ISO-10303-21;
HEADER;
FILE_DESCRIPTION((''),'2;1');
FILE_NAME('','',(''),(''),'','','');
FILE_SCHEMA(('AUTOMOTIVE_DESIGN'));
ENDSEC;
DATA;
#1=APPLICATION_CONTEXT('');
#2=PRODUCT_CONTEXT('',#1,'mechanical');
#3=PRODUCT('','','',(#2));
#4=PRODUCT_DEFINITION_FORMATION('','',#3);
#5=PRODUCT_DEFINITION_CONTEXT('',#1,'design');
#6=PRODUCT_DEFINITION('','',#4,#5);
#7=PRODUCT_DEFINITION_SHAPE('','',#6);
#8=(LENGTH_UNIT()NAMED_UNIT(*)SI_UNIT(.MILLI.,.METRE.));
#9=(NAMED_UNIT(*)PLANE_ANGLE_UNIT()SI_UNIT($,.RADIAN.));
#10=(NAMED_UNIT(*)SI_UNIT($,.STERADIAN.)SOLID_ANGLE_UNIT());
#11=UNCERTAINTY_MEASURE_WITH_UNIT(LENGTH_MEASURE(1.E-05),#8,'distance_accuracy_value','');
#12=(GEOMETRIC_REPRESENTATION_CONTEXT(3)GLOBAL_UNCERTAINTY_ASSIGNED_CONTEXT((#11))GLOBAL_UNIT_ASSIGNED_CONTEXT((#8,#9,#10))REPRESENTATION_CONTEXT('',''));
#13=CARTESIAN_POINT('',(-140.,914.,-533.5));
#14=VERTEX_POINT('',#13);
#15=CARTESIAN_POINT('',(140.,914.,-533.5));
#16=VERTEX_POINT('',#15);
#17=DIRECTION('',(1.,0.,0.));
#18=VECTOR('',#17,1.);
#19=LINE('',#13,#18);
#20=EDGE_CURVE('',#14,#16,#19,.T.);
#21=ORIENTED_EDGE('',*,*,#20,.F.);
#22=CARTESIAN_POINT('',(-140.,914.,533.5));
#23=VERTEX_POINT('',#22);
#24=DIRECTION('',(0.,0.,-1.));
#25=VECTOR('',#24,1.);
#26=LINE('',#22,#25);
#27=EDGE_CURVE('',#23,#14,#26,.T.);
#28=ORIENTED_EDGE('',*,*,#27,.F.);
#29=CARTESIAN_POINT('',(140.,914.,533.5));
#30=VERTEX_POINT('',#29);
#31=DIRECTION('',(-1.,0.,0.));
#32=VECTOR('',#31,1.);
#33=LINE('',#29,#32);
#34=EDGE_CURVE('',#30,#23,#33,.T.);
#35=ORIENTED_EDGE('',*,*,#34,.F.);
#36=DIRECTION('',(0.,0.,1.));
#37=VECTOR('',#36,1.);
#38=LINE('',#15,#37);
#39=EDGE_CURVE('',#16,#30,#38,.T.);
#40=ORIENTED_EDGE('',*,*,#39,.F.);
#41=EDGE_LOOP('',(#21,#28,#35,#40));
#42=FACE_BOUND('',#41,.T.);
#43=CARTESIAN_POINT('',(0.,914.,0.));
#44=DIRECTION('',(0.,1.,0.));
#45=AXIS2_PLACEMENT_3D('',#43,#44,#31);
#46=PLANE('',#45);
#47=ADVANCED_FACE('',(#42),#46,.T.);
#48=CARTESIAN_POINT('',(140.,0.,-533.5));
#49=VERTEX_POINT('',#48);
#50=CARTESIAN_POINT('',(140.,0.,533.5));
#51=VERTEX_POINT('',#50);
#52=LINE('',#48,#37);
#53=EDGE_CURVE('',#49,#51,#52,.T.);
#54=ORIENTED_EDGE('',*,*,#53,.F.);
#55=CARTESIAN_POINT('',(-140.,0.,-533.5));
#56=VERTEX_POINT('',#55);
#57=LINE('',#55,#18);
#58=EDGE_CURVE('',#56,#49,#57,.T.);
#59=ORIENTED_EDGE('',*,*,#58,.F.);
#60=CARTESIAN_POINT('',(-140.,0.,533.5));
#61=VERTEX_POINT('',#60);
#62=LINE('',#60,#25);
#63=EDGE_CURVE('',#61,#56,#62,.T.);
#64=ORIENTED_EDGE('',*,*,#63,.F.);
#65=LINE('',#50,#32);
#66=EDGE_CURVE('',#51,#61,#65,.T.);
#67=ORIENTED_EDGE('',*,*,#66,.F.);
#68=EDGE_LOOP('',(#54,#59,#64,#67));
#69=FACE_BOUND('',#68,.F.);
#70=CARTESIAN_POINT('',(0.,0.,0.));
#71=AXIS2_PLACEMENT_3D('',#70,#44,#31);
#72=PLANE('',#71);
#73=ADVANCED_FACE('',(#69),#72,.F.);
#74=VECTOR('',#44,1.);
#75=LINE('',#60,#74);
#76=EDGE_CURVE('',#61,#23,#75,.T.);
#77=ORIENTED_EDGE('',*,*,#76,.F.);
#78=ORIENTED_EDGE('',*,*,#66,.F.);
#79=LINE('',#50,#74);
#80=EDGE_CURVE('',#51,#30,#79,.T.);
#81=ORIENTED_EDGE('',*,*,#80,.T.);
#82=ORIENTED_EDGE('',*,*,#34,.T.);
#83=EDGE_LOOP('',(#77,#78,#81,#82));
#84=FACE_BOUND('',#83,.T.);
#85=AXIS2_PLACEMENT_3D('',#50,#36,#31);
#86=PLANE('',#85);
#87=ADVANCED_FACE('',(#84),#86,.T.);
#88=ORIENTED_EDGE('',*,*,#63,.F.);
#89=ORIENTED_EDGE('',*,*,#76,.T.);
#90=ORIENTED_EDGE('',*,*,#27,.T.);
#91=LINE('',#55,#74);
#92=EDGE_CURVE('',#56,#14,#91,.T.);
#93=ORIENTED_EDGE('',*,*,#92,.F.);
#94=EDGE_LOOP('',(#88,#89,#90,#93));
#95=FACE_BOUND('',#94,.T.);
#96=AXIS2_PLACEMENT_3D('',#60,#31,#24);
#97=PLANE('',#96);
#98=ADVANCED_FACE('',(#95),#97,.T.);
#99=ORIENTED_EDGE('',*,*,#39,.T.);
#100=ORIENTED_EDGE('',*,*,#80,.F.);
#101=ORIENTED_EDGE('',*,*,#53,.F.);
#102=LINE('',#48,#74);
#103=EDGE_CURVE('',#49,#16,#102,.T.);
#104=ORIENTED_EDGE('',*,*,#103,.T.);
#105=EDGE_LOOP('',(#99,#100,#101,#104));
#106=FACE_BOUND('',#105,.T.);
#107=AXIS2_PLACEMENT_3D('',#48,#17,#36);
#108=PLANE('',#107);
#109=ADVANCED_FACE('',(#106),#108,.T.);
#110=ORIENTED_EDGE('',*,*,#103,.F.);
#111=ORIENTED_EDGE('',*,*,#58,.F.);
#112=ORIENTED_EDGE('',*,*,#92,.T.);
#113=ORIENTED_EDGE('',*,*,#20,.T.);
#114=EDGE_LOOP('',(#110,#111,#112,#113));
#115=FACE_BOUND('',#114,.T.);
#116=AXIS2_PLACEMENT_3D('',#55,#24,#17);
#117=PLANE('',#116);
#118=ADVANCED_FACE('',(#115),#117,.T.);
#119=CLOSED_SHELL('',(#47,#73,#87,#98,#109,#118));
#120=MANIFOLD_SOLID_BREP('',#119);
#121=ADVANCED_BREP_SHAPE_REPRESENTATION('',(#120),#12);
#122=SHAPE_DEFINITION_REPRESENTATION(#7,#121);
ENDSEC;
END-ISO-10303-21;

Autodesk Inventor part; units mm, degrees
ref_plane "YZ Plane" through (0, 0, 0) normal (1, 0, 0) x (0, 1, 0)
ref_plane "XZ Plane" through (0, 0, 0) normal (0, 1, 0) x (-1, 0, 0)
ref_plane "XY Plane" through (0, 0, 0) normal (0, 0, 1) x (1, 0, 0)
sketch "Sketch1" plane through (0, 0, 0) normal (0, 1, 0) x (-1, 0, 0)
  line L0 (140, -533.5) -> (-140, -533.5)
  line L1 (-140, -533.5) -> (-140, 533.5)
  line L2 (-140, 533.5) -> (140, 533.5)
  line L3 (140, 533.5) -> (140, -533.5)
  point P0 (0, 0)
  dimension "d0" = 280
  dimension "d1" = 1067
  dimension "d2" = 533.5
  dimension "d3" = 140
extrude "Extrusion1" add sketch "Sketch1" along normal blind 914
sketch "Sketch2" plane through (-140, 0, 533.5) normal (0, 0, 1) x (1, 0, 0)
  line L0 (-0.7301, 50.1324) -> (28.3017, 50.1324) construction
  line L1 (28.3017, 50.1324) -> (28.3017, 43.7754) construction
  line L2 (28.3017, 43.7754) -> (-0.7301, 43.7754) construction
  line L3 (-0.7301, 43.7754) -> (-0.7301, 50.1324) construction
  point P0 (140, 0)
sketch "Sketch3" plane through (-140, 0, -533.5) normal (-1, 0, 0) x (0, 0, 1)
  line L0 (30.8104, 48.5767) -> (82.087, 48.5767) construction
  line L1 (82.087, 48.5767) -> (82.087, 42.2296) construction
  line L2 (82.087, 42.2296) -> (30.8104, 42.2296) construction
  line L3 (30.8104, 42.2296) -> (30.8104, 48.5767) construction
  point P0 (533.5, 0)
sketch "Sketch4" plane through (140, 0, 533.5) normal (1, 0, 0) x (0, 0, -1)
  line L0 (32.5592, 45.8564) -> (78.0917, 45.8564) construction
  line L1 (78.0917, 45.8564) -> (78.0917, 29.6042) construction
  line L2 (78.0917, 29.6042) -> (32.5592, 29.6042) construction
  line L3 (32.5592, 29.6042) -> (32.5592, 45.8564) construction
  point P0 (533.5, 0)
sketch "Sketch5" plane through (140, 0, -533.5) normal (0, 0, -1) x (-1, 0, 0)
  line L0 (-10.0202, 53.8243) -> (35.5122, 53.8243) construction
  line L1 (35.5122, 53.8243) -> (35.5122, 37.5621) construction
  line L2 (35.5122, 37.5621) -> (-10.0202, 37.5621) construction
  line L3 (-10.0202, 37.5621) -> (-10.0202, 53.8243) construction
  point P0 (140, 0)
sketch "Sketch6" plane through (0, 914, 0) normal (0, 1, 0) x (1, 0, 0)
  line L0 (-31.9661, 8.1609) -> (33.1319, 8.1609) construction
  line L1 (33.1319, 8.1609) -> (33.1319, 1.8038) construction
  line L2 (33.1319, 1.8038) -> (-31.9661, 1.8038) construction
  line L3 (-31.9661, 1.8038) -> (-31.9661, 8.1609) construction
  point P0 (0, 0)
sketch "Sketch7" plane through (0, 0, 0) normal (0, -1, 0) x (1, 0, 0)
  line L0 (2.9613, 16.4046) -> (2.9613, -29.1279) construction
  line L1 (2.9613, -29.1279) -> (-13.3107, -29.1279) construction
  line L2 (-13.3107, -29.1279) -> (-13.3107, 16.4046) construction
  line L3 (-13.3107, 16.4046) -> (2.9613, 16.4046) construction
  point P0 (0, 0)
equation "\"d0\" = y"
equation "\"d1\" = x"
equation "\"d2\" = 0.5 * d1"
equation "\"d3\" = 0.5 * d0"
equation "\"d4\" = z"
equation "\"x\" = wheelchair_deployed_length"
equation "\"y\" = wheelchair_folded_width"
equation "\"z\" = wheelchair_deployed_height"
equation "\"hoop_angle_z\" = 45deg"
equation "\"hoop_bearing_length\" = 5deg"
equation "\"hoop_cable_diam\" = 5"
equation "\"hoop_cable_pulley_diam\" = 22"
equation "\"rack_tooth_addendum\" = 5"
equation "\"rack_tooth_dedendum\" = 5"
equation "\"rack_tooth_thickness\" = 5"
equation "\"secure_arm_angle\" = 20deg"
equation "\"secure_arm_hold_length\" = 35"
equation "\"secure_arm_radii\" = 9"
equation "\"support_baseClamp_platformLengthBuffer\" = 35"
equation "\"support_baseClamp_platformThickness\" = 15"
equation "\"support_baseClamp_platformWidthBuffer\" = 0"
equation "\"support_baseClamp_sleeveHoleDiameter\" = 12"
equation "\"support_baseClamp_sleeveSweepTerminationAngle\" = 55deg"
equation "\"support_baseClamp_thickness\" = 8"
equation "\"support_frame_endHoleBuffer\" = 25"
equation "\"support_frame_squareBarFillet\" = 2"
equation "\"support_frame_squareBarThickness\" = 5"
equation "\"hoop_tabs_thickness\" = 6"
equation "\"hoop_tabs_hole\" = 4"
equation "\"wheelchair_deployed_width\" = 635"
equation "\"wheelchair_deployed_length\" = 1067"
equation "\"wheelchair_deployed_height\" = 914"
equation "\"wheelchair_folded_width\" = 280"
properties part number "wheelchair_box_retracted"
